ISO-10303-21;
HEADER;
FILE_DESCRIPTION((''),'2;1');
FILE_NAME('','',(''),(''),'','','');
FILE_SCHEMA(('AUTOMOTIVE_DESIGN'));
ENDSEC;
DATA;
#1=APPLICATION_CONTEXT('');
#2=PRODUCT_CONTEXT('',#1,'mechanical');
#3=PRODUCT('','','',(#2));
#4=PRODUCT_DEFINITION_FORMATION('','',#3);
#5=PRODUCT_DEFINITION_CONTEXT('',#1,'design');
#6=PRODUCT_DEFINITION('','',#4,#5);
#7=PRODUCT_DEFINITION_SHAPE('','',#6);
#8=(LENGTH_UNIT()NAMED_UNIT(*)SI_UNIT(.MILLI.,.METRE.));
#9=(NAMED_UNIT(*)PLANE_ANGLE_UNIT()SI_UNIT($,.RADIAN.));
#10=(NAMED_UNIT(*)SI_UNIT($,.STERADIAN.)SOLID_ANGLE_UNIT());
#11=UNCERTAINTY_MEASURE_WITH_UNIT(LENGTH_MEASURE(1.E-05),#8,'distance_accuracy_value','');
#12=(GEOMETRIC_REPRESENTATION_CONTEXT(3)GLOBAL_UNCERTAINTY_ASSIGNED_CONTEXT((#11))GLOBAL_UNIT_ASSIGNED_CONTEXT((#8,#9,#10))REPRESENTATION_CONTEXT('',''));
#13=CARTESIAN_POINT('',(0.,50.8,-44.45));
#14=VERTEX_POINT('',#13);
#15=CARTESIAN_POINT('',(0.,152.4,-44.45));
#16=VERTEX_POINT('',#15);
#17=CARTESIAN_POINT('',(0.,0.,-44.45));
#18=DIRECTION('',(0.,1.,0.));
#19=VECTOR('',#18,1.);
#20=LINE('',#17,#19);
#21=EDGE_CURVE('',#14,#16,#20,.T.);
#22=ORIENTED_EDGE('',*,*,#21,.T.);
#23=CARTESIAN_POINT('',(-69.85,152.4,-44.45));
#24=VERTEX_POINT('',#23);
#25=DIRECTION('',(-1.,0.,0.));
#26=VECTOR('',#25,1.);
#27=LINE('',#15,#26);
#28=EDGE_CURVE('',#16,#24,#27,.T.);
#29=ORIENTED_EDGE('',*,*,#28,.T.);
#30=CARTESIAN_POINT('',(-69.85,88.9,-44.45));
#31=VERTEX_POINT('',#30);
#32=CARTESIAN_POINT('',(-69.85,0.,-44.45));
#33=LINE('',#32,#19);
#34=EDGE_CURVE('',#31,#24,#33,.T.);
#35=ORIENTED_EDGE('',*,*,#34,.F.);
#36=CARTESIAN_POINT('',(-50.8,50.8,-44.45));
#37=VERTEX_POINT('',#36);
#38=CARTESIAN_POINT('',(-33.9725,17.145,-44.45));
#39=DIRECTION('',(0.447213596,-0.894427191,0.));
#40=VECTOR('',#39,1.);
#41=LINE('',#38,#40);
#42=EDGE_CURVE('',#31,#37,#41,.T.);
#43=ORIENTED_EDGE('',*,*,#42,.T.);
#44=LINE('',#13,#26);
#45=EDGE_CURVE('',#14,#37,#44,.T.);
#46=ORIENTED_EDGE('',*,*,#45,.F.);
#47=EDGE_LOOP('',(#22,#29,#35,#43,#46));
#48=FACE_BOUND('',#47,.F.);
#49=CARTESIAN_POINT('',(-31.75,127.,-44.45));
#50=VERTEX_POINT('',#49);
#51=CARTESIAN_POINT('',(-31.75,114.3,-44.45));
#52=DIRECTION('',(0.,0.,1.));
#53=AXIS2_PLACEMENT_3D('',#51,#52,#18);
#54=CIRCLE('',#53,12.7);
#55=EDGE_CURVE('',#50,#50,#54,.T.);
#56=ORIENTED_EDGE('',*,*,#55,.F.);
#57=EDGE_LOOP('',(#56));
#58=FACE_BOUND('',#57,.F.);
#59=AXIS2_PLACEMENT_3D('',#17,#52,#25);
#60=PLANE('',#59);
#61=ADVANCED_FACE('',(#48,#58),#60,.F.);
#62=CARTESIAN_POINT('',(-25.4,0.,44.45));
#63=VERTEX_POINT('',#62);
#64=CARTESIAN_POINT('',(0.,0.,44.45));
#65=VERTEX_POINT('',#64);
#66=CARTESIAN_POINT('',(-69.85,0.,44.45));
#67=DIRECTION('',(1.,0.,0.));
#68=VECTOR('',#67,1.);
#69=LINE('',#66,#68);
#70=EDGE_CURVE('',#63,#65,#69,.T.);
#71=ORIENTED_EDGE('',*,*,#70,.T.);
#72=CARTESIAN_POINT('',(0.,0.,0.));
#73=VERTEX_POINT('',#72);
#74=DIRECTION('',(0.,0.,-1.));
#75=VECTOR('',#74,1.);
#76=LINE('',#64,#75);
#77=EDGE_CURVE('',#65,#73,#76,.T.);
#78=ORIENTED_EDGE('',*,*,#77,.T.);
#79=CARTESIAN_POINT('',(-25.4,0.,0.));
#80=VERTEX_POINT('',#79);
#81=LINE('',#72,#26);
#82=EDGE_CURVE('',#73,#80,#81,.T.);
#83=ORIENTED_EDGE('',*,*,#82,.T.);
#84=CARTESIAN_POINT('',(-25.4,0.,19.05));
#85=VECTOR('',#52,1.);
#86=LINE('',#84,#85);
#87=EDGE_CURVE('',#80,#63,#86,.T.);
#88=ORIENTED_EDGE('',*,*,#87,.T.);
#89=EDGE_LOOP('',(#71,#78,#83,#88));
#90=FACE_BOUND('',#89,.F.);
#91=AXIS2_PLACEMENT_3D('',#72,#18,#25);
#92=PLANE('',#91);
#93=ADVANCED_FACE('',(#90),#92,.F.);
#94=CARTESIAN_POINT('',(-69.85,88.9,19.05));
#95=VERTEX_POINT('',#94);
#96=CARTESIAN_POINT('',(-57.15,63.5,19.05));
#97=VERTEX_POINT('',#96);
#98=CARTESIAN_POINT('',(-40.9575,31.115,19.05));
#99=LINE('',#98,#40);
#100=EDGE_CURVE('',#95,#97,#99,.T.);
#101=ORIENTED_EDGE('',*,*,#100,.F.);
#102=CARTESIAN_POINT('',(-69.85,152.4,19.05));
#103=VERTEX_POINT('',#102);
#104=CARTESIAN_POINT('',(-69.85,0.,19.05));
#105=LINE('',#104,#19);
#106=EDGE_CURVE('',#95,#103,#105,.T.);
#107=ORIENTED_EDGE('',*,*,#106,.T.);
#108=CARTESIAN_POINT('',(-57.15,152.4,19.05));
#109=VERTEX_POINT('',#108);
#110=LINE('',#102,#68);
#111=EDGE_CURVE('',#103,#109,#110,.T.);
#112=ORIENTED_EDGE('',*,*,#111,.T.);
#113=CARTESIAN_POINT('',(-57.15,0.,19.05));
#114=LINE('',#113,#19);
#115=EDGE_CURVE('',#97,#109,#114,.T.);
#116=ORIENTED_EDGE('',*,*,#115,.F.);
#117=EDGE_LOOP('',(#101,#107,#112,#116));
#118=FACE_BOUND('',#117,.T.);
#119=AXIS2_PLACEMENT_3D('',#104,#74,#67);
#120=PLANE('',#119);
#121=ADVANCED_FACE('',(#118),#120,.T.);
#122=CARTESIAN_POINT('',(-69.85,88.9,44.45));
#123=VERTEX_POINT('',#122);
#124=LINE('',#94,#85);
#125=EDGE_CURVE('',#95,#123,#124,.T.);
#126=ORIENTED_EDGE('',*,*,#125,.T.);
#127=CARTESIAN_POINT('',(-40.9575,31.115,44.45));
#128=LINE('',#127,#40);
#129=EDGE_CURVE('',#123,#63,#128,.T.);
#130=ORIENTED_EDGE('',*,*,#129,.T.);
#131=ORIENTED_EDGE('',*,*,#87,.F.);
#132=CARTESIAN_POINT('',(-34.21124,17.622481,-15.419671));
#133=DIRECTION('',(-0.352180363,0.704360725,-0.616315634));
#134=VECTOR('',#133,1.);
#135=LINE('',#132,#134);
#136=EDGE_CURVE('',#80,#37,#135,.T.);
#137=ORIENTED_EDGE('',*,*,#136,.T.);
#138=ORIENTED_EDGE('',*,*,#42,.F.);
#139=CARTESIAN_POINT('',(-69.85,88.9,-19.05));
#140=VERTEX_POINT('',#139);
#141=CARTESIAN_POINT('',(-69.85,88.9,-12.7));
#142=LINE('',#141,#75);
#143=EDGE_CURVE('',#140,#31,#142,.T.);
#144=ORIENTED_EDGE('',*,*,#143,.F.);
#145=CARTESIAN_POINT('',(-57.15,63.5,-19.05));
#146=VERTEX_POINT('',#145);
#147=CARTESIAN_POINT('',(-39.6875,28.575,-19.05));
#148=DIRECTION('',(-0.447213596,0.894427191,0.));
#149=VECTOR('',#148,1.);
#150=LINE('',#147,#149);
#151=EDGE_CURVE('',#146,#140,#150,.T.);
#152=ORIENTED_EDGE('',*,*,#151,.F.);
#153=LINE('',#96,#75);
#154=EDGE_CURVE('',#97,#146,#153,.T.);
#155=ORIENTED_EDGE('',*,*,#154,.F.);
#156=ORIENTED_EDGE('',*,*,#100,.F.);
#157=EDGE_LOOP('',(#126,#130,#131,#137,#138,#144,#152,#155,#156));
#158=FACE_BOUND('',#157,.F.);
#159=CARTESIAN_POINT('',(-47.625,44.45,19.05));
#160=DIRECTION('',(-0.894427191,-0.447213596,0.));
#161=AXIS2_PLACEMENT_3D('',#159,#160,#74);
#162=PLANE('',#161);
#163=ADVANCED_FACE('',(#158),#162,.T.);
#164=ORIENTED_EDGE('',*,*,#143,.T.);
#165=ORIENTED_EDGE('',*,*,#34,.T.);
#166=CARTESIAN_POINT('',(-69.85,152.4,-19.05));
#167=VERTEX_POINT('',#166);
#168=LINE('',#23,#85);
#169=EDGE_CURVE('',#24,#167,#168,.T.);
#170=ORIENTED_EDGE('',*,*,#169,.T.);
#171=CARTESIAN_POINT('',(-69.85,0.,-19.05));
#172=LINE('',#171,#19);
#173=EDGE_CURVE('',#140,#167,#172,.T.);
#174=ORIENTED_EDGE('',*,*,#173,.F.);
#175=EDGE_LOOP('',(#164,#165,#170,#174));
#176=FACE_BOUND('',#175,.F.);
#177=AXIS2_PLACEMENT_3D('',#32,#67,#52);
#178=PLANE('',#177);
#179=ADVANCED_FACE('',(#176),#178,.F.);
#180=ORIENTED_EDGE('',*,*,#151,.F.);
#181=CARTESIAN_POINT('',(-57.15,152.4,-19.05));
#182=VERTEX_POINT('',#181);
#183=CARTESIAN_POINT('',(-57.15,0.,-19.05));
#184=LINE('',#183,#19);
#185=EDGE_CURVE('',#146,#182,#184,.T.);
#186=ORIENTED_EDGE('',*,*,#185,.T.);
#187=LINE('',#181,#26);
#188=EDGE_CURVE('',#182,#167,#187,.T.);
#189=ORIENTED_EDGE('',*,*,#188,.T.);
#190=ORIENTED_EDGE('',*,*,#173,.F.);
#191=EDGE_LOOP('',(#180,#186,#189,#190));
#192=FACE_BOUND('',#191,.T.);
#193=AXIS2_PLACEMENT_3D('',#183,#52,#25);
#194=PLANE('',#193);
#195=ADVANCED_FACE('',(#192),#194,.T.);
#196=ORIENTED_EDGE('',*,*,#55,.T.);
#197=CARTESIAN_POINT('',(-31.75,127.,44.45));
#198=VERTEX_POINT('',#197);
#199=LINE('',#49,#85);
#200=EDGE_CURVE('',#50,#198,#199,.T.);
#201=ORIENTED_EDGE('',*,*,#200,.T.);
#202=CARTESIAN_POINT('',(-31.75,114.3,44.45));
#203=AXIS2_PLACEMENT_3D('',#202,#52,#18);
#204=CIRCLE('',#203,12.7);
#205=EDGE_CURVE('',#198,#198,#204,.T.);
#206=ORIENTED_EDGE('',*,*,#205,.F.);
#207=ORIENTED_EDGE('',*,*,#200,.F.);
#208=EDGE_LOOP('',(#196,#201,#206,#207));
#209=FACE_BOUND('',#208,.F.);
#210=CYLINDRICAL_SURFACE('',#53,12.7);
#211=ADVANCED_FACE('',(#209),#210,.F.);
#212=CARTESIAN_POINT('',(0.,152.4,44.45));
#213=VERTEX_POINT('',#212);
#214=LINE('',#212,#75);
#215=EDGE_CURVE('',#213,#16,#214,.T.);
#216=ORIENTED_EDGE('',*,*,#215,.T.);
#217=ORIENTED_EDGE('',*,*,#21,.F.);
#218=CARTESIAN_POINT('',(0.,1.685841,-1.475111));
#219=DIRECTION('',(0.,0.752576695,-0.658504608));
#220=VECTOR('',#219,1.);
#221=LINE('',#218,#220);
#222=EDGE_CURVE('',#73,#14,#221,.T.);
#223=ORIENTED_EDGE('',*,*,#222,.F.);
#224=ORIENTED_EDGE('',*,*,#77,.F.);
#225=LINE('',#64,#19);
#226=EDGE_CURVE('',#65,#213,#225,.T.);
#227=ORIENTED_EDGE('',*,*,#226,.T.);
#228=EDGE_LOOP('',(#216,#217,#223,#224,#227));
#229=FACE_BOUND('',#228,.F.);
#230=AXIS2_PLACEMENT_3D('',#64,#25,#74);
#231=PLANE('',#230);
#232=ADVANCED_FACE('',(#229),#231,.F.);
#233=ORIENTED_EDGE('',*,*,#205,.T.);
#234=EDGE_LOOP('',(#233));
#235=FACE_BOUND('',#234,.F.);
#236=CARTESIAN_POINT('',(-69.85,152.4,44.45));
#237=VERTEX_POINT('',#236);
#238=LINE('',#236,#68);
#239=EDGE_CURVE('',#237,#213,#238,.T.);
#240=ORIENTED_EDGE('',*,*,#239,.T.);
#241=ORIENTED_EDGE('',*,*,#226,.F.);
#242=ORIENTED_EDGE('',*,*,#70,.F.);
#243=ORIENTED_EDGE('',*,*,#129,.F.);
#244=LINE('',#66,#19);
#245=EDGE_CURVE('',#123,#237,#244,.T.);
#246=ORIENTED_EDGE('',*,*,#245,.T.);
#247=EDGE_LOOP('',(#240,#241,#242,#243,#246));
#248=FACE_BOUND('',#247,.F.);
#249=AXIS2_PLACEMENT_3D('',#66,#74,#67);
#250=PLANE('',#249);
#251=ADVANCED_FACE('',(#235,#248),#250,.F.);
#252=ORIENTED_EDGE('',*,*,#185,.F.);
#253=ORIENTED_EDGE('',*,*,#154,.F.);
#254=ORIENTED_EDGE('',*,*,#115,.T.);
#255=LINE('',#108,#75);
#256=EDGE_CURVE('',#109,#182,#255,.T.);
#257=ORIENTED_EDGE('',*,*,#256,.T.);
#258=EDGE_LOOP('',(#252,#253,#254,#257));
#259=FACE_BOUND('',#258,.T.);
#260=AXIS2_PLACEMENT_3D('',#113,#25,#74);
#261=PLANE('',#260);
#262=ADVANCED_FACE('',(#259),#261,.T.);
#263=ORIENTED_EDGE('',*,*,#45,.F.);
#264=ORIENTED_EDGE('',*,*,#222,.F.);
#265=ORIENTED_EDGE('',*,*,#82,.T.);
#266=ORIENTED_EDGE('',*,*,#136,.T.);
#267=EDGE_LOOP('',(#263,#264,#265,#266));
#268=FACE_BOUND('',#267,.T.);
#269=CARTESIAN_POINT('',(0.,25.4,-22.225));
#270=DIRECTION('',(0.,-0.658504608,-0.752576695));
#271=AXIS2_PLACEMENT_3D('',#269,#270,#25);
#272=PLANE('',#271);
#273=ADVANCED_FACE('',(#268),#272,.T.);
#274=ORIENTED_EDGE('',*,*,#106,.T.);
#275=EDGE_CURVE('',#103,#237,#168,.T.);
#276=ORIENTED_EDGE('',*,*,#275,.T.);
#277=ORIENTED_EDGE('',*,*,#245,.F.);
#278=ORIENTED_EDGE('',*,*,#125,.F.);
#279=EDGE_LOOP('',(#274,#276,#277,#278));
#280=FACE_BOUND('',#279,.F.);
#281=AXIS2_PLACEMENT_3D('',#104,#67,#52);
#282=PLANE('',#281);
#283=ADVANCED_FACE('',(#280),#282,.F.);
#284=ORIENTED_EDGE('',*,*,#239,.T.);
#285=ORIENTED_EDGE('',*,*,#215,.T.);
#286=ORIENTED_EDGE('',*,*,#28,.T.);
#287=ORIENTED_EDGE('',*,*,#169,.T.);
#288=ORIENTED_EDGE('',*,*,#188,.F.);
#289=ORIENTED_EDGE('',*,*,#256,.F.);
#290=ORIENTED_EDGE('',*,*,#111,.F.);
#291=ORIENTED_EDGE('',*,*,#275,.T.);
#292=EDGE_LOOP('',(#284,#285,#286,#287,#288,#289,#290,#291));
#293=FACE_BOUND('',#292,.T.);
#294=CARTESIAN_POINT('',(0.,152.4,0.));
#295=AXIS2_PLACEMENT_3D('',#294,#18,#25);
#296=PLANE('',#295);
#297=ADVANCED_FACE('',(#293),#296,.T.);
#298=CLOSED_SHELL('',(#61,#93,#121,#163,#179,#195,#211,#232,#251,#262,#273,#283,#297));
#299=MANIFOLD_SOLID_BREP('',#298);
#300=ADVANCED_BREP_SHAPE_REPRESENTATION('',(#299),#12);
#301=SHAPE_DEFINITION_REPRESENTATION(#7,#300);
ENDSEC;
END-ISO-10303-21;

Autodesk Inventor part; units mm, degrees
ref_plane "YZ Plane" through (0, 0, 0) normal (1, 0, 0) x (0, 1, 0)
ref_plane "XZ Plane" through (0, 0, 0) normal (0, 1, 0) x (-1, 0, 0)
ref_plane "XY Plane" through (0, 0, 0) normal (0, 0, 1) x (1, 0, 0)
sketch "CONSTRAINED RECTS" plane through (0, 0, 0) normal (0, 1, 0) x (-1, 0, 0)
  line L0 (69.85, 44.45) -> (0, 44.45)
  line L1 (0, 44.45) -> (0, -44.45)
  line L2 (0, -44.45) -> (69.85, -44.45)
  line L3 (69.85, -44.45) -> (69.85, 44.45)
  line L4 (69.85, 19.05) -> (57.15, 19.05)
  line L5 (57.15, 19.05) -> (57.15, -19.05)
  line L6 (57.15, -19.05) -> (69.85, -19.05)
  line L7 (69.85, -19.05) -> (69.85, 19.05)
  point P0 (0, 0)
  point P1 (0, 0)
  dimension "d0" = 88.9
  dimension "d1" = 69.85
  dimension "d3" = 12.7
  dimension "d4" = 38.1
  dimension "d5" = 19.05
  dimension "d6" = 0
  dimension "d7" = 44.45
extrude "NOTCHED SHAPE" add sketch "CONSTRAINED RECTS" along normal blind 152.4 contours L3 L4 L5 L6 L2 L1 L0
chamfer "TOP SURF" distance 88.9 distance2 44.45 1 edges at (-69.85, 0, 31.75) measured on face at (-69.85, 101.6, 27.5167)
chamfer "EDGE SURF" distance 44.45 distance2 50.8 1 edges at (-12.7, 0, -44.45) measured on face at (-16.9333, 0, -14.8167)
sketch "HOLE" plane through (0, 152.4, -44.45) normal (0, 0, -1) x (-1, 0, 0)
  line L0 (0, 0) -> (69.85, 0) projected
  line L1 (0, -101.6) -> (0, 0) projected
  point P0 (0, -152.4)
  point P1 (31.75, -38.1)
  dimension "d16" = 38.1
  dimension "d17" = 31.75
hole "HOLE CUTOUT" at (-31.75, 114.3, -44.45) direction (0, 0, 1) diameter 25.4 end through all
equation "\"d5\" = 0.5 * d4"
equation "\"d7\" = 0.5 * d0"
properties part number "ASN5-3-BK" material "Gold"
